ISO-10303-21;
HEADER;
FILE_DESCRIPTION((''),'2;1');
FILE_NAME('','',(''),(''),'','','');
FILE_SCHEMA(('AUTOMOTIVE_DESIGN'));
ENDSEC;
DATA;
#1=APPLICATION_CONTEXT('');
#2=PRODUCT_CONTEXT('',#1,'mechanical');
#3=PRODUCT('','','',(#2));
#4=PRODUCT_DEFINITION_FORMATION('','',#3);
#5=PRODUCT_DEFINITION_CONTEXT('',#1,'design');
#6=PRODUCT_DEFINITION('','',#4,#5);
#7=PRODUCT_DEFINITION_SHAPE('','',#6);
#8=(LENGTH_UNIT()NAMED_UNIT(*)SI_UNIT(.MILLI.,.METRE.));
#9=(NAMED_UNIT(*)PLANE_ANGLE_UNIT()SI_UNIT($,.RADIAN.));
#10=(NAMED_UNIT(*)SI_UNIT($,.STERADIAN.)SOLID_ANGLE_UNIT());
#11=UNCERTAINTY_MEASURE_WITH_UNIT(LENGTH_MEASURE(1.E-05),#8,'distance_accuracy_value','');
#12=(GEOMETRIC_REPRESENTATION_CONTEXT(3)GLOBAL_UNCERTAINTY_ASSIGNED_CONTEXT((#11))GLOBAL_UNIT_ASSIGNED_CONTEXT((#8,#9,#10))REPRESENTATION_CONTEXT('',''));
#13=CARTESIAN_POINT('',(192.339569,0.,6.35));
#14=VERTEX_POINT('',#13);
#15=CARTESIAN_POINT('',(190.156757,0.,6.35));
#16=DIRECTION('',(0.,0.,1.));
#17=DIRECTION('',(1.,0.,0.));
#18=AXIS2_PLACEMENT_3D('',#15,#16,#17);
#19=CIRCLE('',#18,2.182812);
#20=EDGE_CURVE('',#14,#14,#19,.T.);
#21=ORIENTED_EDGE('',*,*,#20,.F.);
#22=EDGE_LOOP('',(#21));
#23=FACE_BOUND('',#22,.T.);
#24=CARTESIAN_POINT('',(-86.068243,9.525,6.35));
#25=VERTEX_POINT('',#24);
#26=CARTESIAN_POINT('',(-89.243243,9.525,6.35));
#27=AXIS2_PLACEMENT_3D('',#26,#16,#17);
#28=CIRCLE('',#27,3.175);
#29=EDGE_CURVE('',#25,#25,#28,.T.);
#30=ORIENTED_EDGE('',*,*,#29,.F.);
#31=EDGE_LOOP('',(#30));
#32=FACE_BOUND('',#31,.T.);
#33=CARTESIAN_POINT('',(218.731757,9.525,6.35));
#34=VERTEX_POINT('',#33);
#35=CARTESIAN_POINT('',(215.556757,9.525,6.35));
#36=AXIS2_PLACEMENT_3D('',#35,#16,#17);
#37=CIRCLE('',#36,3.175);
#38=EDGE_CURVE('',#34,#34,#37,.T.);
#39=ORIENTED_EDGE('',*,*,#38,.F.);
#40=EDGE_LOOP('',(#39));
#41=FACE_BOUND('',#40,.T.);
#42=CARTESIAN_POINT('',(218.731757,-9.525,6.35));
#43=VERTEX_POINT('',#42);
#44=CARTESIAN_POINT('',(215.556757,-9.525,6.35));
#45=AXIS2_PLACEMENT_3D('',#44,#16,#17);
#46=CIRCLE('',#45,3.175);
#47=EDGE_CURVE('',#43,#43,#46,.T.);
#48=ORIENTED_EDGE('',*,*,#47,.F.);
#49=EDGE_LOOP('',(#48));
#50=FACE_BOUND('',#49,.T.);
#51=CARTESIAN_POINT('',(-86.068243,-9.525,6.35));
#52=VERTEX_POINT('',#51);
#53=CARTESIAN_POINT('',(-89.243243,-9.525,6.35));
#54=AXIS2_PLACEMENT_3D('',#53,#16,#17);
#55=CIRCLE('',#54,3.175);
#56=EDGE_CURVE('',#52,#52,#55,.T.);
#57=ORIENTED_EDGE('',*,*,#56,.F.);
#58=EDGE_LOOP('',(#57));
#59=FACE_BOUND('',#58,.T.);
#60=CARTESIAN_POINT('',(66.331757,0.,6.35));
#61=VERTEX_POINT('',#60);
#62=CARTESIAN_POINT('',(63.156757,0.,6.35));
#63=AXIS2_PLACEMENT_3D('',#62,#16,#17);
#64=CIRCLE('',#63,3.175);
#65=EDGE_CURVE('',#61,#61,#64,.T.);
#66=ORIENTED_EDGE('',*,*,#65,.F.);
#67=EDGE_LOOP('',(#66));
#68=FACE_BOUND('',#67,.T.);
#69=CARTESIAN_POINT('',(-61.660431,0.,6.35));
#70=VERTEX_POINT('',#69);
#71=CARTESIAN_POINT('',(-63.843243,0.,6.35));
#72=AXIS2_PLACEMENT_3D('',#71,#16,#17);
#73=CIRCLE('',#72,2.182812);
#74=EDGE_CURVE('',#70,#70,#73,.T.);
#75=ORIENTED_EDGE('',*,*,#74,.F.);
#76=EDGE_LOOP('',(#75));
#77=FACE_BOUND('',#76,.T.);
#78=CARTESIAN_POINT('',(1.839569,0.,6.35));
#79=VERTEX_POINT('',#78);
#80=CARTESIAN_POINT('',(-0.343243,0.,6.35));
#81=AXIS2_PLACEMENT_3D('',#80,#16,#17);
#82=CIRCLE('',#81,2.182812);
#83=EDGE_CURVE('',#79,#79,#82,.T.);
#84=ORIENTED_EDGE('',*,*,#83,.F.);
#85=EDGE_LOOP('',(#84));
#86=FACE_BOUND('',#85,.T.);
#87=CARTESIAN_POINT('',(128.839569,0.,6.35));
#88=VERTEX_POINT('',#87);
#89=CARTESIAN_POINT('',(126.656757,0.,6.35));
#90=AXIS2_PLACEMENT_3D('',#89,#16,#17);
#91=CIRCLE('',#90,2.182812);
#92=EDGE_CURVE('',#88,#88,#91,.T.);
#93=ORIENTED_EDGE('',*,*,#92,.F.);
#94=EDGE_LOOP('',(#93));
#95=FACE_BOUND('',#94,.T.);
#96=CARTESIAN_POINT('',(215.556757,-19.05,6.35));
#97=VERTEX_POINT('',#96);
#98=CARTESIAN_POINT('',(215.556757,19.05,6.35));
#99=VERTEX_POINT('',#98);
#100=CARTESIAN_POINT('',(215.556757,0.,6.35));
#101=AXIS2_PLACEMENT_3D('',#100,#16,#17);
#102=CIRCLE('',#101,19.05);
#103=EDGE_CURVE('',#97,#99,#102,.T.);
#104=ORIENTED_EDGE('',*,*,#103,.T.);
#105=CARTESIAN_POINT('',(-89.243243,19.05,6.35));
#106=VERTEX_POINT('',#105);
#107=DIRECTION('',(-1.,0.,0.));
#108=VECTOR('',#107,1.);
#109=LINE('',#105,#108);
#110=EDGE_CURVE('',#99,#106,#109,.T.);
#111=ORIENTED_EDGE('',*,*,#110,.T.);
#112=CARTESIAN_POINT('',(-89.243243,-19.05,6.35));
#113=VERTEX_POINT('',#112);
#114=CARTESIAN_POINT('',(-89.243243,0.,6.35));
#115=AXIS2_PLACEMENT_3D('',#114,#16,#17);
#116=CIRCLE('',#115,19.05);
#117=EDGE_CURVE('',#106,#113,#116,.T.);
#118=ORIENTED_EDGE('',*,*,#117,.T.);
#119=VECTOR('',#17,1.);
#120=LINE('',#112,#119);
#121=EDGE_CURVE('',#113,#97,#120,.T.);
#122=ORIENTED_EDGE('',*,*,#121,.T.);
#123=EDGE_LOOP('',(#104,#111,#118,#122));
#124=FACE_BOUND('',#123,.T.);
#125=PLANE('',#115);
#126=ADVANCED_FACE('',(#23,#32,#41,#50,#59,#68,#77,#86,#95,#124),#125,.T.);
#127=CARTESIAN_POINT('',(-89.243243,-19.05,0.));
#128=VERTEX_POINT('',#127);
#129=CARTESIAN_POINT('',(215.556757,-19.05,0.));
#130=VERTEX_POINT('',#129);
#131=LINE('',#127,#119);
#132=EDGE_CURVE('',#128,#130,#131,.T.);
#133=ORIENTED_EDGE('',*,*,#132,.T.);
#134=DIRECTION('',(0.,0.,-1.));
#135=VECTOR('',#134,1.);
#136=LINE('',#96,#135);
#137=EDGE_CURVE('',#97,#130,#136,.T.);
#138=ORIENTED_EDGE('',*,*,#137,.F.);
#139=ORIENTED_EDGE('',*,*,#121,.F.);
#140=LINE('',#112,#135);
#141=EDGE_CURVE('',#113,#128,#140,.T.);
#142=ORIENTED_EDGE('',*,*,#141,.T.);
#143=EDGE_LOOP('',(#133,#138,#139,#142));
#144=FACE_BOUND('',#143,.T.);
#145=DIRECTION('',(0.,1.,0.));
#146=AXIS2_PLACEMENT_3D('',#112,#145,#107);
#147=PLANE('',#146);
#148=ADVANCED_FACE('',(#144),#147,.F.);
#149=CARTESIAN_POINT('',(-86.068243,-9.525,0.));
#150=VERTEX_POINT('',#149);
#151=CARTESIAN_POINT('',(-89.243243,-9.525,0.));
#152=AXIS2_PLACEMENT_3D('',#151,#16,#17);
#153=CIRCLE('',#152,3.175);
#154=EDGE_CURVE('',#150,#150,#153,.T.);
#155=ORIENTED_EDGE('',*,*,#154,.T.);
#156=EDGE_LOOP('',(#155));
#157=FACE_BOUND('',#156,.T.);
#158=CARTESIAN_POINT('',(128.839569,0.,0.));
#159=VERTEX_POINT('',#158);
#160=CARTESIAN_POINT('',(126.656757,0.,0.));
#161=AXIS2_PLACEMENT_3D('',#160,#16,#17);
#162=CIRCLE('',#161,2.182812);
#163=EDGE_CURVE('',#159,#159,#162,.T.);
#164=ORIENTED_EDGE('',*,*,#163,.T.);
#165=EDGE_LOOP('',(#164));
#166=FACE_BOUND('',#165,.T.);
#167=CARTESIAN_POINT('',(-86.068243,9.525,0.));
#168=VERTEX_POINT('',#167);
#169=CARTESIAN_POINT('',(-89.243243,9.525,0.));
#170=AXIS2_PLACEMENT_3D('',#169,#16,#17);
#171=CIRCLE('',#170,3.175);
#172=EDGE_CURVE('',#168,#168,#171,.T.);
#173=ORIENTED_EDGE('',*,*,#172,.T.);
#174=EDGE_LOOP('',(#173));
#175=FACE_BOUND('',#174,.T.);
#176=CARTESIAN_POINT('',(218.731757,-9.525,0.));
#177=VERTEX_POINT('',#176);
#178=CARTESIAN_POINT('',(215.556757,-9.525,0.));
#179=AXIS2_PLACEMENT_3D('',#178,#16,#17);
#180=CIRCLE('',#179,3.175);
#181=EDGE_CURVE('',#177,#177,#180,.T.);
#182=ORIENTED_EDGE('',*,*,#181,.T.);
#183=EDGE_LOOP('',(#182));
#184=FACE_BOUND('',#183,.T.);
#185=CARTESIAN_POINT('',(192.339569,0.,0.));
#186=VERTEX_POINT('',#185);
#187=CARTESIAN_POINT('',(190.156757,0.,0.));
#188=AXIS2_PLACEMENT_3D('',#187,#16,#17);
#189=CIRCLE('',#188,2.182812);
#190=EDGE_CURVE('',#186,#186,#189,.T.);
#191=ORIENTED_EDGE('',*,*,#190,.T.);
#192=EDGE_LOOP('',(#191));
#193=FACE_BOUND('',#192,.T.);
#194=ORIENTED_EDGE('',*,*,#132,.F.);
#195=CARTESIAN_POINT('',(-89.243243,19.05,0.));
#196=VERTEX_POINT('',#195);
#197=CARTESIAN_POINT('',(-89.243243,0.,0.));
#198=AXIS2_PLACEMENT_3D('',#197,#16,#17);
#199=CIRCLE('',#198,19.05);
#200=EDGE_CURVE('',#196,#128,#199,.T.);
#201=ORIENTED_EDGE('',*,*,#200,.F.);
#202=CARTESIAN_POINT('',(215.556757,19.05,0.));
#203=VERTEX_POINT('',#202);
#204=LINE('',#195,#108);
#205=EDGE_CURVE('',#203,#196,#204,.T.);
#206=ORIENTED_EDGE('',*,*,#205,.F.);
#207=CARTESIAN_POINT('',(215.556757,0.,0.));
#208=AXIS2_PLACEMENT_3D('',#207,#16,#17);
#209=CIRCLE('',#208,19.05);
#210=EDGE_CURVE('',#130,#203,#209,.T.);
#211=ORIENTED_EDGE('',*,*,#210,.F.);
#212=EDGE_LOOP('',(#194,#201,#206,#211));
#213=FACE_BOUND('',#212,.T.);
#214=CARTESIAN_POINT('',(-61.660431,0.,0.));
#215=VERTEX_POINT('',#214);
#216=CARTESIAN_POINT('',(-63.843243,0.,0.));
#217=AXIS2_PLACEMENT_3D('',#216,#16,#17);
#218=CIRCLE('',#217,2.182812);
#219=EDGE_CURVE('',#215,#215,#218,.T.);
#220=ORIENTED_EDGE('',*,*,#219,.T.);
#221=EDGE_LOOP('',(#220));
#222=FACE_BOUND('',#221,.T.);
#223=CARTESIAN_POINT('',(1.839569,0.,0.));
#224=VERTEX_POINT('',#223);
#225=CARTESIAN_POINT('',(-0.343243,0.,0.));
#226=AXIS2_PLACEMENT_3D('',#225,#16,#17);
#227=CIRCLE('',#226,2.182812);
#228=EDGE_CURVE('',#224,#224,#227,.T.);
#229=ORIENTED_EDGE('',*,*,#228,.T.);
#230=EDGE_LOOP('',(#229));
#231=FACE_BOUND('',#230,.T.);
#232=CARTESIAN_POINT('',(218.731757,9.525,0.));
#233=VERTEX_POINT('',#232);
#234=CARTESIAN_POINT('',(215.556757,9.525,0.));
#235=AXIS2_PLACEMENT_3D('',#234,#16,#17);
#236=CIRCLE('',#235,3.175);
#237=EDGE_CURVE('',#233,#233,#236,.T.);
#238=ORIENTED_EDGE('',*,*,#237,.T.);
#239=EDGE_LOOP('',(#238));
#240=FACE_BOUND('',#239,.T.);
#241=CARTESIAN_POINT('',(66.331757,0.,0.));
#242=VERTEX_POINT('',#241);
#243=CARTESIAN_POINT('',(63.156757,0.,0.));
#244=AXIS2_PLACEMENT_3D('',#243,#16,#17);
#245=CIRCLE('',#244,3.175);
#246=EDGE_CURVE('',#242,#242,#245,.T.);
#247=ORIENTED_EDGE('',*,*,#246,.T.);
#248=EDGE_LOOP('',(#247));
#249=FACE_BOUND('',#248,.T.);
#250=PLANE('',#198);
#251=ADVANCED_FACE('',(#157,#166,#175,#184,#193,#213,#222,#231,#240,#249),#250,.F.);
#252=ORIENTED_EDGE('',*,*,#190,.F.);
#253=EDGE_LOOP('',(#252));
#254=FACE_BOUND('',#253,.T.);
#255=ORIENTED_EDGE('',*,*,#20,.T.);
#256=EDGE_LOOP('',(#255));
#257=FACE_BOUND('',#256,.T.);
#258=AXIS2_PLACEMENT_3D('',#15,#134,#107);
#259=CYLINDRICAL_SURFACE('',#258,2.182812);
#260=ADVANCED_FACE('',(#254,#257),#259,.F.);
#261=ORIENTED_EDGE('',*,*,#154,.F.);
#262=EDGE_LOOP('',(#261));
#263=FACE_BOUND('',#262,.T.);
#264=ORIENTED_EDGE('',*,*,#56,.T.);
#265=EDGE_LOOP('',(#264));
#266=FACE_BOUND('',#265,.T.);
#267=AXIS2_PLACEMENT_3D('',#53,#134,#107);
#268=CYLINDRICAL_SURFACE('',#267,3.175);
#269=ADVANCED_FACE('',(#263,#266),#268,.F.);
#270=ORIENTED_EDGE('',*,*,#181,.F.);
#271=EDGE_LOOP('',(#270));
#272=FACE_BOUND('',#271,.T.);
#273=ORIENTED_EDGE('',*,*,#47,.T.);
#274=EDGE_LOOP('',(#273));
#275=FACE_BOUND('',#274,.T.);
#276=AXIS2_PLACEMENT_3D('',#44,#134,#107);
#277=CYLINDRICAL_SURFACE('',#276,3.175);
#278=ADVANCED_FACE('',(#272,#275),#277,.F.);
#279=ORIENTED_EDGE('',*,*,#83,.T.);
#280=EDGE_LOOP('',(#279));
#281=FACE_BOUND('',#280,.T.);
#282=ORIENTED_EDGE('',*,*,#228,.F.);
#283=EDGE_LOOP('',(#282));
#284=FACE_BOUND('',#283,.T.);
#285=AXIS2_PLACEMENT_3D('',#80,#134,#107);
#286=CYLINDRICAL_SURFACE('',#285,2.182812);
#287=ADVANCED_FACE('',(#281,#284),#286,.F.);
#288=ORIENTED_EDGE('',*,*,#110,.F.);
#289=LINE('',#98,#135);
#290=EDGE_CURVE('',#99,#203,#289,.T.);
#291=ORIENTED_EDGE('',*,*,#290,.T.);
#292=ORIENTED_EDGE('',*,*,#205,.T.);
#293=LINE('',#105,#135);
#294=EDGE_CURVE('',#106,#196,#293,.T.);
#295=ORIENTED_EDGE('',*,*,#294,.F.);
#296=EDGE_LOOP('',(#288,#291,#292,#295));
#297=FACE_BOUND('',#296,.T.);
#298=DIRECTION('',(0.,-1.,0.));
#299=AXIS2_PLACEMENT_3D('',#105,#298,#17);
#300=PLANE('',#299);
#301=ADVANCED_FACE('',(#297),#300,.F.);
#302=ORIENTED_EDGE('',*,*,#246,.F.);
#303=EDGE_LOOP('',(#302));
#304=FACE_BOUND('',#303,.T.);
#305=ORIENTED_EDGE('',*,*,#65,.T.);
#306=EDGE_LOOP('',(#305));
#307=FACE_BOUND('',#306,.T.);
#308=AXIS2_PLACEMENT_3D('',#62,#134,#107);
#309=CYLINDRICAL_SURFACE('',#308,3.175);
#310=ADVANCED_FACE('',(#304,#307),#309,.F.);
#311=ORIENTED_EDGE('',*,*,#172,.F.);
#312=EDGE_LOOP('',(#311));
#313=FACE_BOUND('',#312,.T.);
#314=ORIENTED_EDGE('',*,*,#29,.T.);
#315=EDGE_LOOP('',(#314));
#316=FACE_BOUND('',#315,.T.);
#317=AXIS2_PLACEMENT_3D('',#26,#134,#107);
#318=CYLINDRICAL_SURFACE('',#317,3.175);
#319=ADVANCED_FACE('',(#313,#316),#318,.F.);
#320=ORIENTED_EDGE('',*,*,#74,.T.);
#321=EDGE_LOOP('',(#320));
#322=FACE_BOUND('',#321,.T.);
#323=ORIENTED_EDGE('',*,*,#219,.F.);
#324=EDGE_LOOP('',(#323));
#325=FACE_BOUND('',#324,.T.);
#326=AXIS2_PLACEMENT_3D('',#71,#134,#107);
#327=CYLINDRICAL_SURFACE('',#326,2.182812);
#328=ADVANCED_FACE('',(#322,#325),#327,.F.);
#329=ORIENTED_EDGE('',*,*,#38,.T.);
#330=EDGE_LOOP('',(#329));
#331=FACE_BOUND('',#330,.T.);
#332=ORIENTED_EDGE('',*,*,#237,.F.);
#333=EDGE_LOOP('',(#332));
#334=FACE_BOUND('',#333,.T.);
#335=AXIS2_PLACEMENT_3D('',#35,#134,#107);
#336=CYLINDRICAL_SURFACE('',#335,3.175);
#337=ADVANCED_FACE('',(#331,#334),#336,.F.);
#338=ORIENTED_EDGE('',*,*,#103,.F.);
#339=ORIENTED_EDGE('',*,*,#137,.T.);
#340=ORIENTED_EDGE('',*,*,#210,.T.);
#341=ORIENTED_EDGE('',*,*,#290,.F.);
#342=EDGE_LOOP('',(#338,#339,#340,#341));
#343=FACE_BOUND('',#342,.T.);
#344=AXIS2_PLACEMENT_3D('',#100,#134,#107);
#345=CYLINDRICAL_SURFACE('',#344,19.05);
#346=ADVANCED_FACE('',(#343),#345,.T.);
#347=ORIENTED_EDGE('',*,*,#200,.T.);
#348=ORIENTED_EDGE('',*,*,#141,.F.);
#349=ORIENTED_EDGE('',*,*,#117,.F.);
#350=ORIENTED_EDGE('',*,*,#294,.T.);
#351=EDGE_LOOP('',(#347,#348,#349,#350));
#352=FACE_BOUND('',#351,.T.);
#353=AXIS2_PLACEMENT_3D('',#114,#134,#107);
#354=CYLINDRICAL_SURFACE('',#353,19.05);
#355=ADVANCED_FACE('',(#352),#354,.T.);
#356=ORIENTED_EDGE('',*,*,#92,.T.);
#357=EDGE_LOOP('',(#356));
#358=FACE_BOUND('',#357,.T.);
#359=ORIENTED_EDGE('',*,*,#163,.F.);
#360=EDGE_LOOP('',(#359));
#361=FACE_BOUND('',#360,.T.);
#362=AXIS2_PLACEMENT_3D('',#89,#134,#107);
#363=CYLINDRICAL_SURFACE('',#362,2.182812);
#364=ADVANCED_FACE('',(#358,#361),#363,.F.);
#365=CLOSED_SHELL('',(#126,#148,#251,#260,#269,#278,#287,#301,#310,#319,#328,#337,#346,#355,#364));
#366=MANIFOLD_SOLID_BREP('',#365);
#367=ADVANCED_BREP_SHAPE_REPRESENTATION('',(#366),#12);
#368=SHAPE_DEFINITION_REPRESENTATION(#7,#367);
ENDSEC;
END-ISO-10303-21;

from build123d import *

# Parameters (mm, degrees)
SKETCH1_R           = 3.175
SKETCH1_R_2         = 2.1828125
BOSS_EXTRUDE1_DEPTH = 6.35


with BuildPart() as part:
    # Sketch1 → Boss-Extrude1 (new body)
    with BuildSketch(Plane.XY):
        with BuildLine():
            Line((-89.243243243, 19.05), (215.556756757, 19.05))
            ThreePointArc((215.556756757, 19.05), (234.606756757, 0), (215.556756757, -19.05))
            Line((215.556756757, -19.05), (-89.243243243, -19.05))
            ThreePointArc((-89.243243243, -19.05), (-108.293243243, 0), (-89.243243243, 19.05))
        make_face()
        with Locations((63.156756757, 0)):
            Circle(SKETCH1_R, mode=Mode.SUBTRACT)
        with Locations((-0.343243243, 0)):
            Circle(SKETCH1_R_2, mode=Mode.SUBTRACT)
        with Locations((126.656756757, 0)):
            Circle(SKETCH1_R_2, mode=Mode.SUBTRACT)
        with Locations((215.556756757, -9.525)):
            Circle(SKETCH1_R, mode=Mode.SUBTRACT)
        with Locations((215.556756757, 9.525)):
            Circle(SKETCH1_R, mode=Mode.SUBTRACT)
        with Locations((-89.243243243, 9.525)):
            Circle(SKETCH1_R, mode=Mode.SUBTRACT)
        with Locations((-89.243243243, -9.525)):
            Circle(SKETCH1_R, mode=Mode.SUBTRACT)
        with Locations((-63.843243243, 0)):
            Circle(SKETCH1_R_2, mode=Mode.SUBTRACT)
        with Locations((190.156756757, 0)):
            Circle(SKETCH1_R_2, mode=Mode.SUBTRACT)
    extrude(amount=BOSS_EXTRUDE1_DEPTH)


solid = part.part
